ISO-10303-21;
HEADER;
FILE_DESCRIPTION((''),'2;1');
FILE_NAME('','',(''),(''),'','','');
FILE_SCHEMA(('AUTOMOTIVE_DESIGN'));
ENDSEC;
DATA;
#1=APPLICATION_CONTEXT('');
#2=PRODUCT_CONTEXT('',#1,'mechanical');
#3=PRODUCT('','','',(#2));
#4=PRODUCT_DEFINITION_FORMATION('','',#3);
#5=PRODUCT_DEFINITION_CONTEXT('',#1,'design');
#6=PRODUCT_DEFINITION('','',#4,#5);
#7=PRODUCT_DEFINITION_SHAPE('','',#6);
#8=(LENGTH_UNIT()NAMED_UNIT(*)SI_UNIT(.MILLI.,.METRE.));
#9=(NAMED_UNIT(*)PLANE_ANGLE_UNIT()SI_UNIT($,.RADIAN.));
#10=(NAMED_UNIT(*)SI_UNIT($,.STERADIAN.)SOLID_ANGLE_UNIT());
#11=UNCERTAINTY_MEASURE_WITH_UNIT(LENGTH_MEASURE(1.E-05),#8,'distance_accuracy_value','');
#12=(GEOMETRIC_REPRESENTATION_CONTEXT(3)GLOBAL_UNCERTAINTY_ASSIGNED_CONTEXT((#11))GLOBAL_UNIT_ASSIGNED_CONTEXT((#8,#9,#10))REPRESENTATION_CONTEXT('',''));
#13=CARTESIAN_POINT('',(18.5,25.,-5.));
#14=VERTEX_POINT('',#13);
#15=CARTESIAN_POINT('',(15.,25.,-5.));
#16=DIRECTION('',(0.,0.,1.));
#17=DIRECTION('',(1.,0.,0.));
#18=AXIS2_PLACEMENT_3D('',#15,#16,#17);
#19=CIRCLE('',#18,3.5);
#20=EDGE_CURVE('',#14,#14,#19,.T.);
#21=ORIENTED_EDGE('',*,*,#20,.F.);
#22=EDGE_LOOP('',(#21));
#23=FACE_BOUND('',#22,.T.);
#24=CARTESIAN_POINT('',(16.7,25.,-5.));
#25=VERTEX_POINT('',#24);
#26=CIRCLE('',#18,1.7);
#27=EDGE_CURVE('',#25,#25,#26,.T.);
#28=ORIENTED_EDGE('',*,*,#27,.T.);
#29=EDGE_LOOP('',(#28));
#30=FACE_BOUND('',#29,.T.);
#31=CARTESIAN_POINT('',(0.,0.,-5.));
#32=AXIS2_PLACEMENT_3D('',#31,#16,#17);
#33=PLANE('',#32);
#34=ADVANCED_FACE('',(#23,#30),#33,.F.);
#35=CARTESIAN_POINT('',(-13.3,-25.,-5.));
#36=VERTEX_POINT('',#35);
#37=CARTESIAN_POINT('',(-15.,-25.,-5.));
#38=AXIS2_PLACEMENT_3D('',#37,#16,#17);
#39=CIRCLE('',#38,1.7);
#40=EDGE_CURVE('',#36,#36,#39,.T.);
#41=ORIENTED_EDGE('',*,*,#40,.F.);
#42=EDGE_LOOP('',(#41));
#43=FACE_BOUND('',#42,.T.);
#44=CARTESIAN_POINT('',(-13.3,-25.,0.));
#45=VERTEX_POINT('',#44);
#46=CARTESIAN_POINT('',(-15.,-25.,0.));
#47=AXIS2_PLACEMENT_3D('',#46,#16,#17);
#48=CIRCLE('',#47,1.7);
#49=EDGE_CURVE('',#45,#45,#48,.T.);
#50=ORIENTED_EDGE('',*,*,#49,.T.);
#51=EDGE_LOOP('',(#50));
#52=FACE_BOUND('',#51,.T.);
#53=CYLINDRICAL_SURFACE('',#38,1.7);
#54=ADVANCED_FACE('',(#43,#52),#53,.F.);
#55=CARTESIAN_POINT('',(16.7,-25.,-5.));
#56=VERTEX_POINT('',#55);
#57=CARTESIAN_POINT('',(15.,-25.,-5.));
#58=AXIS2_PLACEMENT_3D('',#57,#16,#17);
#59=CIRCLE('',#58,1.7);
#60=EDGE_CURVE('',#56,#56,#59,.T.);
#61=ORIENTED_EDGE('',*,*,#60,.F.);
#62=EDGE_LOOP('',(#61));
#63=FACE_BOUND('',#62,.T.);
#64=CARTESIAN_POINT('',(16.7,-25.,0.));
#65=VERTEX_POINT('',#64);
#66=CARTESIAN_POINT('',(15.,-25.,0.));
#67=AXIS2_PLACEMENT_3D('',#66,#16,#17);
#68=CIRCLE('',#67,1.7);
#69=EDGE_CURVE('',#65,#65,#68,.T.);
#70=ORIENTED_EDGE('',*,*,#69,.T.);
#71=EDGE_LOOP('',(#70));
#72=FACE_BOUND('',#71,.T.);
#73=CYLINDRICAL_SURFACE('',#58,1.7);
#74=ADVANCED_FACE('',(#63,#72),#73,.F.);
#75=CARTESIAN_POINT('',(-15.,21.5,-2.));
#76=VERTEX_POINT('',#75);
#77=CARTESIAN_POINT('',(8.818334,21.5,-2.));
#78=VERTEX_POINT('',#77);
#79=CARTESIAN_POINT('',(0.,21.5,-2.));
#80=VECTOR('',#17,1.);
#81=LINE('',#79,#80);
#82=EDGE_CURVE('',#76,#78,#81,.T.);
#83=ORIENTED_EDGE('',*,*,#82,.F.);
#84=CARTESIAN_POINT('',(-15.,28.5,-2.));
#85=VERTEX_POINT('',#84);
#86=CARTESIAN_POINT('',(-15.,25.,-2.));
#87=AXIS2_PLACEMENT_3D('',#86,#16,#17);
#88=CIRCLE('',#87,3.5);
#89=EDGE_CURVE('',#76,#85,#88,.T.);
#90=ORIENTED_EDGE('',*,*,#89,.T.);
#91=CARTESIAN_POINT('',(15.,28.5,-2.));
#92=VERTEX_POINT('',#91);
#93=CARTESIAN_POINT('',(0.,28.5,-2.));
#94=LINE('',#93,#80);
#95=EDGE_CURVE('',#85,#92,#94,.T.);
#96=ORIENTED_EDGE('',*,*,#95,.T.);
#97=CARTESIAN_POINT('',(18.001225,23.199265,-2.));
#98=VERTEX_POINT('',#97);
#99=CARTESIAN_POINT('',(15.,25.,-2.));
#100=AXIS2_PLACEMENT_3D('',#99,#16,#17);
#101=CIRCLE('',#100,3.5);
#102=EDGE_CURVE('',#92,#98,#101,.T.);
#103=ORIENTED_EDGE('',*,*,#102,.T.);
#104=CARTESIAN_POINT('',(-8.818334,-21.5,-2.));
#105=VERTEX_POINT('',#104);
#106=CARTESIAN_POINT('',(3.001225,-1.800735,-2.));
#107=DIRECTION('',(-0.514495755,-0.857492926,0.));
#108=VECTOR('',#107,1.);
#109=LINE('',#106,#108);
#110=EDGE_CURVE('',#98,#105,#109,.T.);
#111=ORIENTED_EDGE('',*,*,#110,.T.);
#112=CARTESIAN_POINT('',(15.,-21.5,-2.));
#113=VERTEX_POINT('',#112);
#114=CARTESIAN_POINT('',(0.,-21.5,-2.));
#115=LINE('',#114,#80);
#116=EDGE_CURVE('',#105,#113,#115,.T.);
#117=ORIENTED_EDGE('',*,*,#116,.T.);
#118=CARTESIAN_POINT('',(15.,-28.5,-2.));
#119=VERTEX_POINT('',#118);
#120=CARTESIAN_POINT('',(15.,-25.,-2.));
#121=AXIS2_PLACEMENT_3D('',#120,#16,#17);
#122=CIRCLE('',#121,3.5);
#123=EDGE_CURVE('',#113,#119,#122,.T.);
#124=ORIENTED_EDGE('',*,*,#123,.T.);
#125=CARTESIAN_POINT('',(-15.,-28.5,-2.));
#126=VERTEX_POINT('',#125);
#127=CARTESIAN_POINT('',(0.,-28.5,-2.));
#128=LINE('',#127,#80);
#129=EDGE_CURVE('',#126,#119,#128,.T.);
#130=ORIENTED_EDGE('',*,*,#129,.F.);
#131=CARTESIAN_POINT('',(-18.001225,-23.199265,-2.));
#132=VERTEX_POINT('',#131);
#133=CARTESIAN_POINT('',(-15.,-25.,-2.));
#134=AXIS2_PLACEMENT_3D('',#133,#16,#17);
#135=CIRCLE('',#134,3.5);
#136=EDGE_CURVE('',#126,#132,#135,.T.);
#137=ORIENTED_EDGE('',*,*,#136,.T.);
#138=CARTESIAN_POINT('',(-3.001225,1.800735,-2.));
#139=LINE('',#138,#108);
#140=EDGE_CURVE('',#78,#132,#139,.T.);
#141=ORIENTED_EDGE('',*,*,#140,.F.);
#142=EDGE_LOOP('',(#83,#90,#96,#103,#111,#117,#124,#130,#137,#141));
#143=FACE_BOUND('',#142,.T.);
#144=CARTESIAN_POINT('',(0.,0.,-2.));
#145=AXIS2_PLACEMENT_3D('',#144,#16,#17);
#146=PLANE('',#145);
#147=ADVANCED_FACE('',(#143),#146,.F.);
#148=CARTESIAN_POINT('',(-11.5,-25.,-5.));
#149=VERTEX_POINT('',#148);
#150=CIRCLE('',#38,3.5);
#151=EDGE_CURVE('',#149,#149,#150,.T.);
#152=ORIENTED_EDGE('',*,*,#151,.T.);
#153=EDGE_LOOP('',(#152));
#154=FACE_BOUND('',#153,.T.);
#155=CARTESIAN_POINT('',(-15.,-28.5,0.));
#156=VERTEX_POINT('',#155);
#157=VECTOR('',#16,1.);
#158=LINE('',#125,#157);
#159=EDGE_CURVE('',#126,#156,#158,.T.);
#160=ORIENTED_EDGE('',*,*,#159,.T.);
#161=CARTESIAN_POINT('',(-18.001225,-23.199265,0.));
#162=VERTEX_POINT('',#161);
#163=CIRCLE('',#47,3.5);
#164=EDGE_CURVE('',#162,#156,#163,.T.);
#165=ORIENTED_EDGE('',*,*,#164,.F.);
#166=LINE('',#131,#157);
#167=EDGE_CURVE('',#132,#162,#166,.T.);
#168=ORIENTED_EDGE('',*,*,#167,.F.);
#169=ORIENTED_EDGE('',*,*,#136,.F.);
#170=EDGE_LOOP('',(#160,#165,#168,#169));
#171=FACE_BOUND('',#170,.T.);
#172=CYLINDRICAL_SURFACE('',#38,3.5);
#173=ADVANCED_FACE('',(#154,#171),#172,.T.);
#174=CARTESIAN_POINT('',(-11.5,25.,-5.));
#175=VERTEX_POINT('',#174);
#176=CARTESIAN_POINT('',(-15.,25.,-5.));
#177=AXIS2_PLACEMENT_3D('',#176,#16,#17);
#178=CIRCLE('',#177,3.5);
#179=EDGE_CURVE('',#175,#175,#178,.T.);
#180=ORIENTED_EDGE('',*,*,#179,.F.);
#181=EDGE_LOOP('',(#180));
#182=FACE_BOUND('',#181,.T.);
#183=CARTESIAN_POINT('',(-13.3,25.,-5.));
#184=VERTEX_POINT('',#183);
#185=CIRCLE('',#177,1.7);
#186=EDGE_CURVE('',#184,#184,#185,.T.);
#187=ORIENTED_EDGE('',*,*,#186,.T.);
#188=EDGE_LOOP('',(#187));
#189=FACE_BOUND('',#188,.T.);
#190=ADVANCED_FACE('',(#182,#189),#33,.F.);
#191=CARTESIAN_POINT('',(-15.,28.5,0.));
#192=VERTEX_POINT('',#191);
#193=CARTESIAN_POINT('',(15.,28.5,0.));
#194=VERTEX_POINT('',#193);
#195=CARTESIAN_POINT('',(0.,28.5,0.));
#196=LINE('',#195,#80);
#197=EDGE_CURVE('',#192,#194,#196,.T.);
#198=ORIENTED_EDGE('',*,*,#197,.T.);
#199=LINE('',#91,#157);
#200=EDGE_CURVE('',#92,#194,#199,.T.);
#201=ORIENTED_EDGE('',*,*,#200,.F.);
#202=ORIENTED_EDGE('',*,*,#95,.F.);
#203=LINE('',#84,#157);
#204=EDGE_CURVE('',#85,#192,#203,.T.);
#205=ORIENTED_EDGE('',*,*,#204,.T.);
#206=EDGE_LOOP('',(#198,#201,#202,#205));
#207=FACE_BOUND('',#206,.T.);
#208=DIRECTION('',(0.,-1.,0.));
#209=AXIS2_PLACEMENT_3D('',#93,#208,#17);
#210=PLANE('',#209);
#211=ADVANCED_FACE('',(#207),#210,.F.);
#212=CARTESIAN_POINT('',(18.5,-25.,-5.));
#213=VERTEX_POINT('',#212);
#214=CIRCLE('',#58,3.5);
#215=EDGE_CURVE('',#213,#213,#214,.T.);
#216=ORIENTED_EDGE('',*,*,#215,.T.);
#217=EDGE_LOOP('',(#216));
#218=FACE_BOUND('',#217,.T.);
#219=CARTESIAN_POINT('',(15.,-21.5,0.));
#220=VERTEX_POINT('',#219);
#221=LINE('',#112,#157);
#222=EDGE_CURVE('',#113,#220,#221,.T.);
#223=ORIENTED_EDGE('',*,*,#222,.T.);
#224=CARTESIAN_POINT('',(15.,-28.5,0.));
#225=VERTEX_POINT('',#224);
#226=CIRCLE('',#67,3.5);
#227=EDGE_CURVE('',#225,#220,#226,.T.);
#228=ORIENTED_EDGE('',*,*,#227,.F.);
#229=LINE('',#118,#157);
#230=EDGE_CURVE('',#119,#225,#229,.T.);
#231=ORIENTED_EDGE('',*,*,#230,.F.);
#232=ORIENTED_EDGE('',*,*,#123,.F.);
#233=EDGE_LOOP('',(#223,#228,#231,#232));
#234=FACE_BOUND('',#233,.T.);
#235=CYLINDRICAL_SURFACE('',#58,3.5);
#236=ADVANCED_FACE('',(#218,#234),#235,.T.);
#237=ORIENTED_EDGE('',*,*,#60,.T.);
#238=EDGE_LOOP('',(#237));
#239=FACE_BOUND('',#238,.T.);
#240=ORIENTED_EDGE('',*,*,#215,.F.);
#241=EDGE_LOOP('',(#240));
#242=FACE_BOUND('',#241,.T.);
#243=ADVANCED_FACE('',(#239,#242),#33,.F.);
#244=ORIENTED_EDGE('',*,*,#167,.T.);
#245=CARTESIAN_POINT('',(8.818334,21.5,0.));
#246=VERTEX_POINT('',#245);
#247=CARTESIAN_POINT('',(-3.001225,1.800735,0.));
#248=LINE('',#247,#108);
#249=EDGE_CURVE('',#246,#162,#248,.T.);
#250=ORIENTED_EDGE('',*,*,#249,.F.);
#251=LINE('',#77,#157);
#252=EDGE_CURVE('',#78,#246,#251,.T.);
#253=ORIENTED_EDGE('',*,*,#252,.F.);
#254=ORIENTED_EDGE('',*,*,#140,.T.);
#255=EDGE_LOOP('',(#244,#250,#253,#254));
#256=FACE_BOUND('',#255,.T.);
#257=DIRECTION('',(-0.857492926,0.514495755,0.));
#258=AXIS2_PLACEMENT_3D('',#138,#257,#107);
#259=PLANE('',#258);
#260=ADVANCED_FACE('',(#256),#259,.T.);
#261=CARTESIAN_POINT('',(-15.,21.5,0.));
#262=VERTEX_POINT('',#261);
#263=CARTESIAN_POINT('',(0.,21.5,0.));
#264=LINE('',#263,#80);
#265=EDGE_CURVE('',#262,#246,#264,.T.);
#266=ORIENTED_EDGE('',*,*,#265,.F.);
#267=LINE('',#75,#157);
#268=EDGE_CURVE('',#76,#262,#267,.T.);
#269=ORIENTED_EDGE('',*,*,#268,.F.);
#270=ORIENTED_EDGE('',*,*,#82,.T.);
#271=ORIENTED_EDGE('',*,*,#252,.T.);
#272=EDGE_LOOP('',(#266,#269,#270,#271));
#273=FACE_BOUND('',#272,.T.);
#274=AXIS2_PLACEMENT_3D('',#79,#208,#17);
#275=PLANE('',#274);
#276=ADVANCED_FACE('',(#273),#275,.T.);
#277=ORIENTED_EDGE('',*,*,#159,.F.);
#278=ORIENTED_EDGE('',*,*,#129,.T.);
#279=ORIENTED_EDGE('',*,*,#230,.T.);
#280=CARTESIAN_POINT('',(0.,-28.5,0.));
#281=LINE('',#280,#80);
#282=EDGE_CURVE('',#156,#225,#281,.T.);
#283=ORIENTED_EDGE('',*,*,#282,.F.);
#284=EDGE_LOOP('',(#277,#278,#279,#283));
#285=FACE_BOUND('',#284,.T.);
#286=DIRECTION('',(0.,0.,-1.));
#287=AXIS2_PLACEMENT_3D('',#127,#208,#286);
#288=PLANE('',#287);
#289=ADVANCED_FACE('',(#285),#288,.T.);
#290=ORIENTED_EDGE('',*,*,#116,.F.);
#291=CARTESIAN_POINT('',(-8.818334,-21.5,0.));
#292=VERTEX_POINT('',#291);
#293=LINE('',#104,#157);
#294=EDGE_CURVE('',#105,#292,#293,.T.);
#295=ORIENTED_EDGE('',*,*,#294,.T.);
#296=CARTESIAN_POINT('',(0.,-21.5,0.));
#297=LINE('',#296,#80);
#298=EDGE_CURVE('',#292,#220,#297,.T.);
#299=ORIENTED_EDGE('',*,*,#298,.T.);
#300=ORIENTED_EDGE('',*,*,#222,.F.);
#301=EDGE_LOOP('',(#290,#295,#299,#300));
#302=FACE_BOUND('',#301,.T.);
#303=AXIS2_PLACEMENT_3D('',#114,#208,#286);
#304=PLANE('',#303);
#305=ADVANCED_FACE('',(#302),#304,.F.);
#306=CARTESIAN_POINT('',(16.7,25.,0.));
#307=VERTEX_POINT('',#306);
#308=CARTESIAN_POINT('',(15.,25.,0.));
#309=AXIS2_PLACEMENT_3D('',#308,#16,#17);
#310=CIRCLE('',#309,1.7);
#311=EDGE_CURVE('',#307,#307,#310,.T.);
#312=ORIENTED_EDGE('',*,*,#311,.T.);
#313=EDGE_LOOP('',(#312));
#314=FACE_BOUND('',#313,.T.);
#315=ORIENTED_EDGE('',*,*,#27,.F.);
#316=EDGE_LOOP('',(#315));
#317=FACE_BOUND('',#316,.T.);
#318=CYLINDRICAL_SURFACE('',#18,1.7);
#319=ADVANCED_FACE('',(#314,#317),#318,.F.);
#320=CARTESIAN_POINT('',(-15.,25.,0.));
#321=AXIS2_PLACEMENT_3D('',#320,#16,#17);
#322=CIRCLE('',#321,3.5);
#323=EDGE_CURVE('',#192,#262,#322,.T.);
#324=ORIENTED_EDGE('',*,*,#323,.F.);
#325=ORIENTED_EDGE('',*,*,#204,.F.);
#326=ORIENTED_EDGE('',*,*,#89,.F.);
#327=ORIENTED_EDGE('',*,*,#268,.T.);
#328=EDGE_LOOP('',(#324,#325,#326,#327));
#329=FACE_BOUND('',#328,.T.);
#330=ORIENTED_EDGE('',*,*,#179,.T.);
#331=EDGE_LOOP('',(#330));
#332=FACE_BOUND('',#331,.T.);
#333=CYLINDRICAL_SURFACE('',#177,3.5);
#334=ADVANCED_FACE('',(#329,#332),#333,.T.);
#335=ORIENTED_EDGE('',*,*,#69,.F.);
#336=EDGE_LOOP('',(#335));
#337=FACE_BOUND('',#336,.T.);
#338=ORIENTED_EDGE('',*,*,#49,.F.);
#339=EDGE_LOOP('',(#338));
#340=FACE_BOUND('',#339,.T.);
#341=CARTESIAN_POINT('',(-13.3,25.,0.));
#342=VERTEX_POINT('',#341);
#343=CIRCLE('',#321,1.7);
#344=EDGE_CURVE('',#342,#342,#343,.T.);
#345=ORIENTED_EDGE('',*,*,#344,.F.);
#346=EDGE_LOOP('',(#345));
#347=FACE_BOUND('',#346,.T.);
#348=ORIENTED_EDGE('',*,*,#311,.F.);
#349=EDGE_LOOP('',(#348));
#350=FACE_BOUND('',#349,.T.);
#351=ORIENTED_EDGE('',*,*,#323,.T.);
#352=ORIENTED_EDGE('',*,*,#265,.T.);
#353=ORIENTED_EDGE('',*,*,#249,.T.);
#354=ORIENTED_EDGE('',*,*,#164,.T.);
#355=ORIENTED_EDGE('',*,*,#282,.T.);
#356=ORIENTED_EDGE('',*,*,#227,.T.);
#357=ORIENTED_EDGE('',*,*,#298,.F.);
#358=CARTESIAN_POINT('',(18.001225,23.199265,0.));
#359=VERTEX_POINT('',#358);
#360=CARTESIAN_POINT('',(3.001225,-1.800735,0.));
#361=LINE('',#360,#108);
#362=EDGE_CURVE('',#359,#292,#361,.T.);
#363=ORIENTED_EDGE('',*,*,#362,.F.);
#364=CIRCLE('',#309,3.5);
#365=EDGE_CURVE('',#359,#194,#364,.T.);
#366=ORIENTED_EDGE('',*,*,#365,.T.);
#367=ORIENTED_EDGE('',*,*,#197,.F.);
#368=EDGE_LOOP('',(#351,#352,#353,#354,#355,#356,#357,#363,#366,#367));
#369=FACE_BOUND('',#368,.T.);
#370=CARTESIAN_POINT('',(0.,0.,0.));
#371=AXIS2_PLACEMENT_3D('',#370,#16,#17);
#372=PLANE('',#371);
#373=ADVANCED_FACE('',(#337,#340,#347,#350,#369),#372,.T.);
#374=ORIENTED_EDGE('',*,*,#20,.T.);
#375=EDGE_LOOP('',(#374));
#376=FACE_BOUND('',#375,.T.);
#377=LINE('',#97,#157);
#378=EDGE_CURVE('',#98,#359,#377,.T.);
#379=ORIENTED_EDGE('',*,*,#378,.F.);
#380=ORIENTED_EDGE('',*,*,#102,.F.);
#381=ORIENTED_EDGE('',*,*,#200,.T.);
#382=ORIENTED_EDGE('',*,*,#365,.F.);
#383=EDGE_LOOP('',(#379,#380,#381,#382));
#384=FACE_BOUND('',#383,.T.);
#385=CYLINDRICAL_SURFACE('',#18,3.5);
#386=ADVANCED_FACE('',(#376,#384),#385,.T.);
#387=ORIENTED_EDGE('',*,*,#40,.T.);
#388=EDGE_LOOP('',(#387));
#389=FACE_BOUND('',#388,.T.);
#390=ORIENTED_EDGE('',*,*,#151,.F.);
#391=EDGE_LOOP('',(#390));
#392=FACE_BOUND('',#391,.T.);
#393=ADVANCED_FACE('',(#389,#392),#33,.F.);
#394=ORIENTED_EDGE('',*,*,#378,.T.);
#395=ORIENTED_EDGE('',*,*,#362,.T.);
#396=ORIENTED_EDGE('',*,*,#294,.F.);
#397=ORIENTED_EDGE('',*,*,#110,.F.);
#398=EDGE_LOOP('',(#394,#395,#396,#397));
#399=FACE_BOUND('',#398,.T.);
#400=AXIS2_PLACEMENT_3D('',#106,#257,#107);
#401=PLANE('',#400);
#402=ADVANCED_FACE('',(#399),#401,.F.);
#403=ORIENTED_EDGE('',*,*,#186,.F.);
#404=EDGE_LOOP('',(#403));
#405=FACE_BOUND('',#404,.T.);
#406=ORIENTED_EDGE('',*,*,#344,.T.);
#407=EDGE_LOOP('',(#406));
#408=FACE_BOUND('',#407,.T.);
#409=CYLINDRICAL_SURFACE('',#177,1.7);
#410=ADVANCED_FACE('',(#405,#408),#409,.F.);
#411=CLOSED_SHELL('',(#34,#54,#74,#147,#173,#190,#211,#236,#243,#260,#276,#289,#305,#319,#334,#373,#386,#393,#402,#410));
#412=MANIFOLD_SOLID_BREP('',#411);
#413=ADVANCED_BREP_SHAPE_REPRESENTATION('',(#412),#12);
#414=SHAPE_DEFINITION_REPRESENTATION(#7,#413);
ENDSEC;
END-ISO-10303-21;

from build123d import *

# Parameters (mm, degrees)
EXTRUDE_944_DEPTH  = 2
SKETCH_1_3_R       = 3.5
SKETCH_1_3_R_2     = 1.7
EXTRUDE_1016_DEPTH = 5


with BuildPart() as part:
    # Эскиз1 → Extrude 944 (new body)
    with BuildSketch(Plane.XY):
        with BuildLine():
            Line((15, 28.5), (-15, 28.5))
            ThreePointArc((-15, 28.5), (-12.525126266, 27.474873734), (-11.5, 25))
            ThreePointArc((-11.5, 25), (-12.525126266, 22.525126266), (-15, 21.5))
            Line((-15, 21.5), (8.818333674, 21.5))
            Line((8.818333674, 21.5), (-18.00122524, -23.199264856))
            ThreePointArc((-18.00122524, -23.199264856), (-14.065732463, -21.626997751), (-11.5, -25))
            ThreePointArc((-11.5, -25), (-12.525126266, -27.474873734), (-15, -28.5))
            Line((-15, -28.5), (15, -28.5))
            ThreePointArc((15, -28.5), (11.5, -25), (15, -21.5))
            Line((15, -21.5), (-8.818333674, -21.5))
            Line((-8.818333674, -21.5), (18.00122524, 23.199264856))
            ThreePointArc((18.00122524, 23.199264856), (11.954300326, 23.275554148), (15, 28.5))
        make_face()
    extrude(amount=-EXTRUDE_944_DEPTH)

    # Эскиз1<3> → Extrude 1016 (add)
    # profile 1 of 4: a face of its own
    with BuildSketch(Plane.XY):
        with Locations((15, 25)):
            Circle(SKETCH_1_3_R)
        with Locations((15, 25)):
            Circle(SKETCH_1_3_R_2, mode=Mode.SUBTRACT)
    # profile 2 of 4: a face of its own
    with BuildSketch(Plane.XY):
        with Locations((15, -25)):
            Circle(SKETCH_1_3_R)
        with Locations((15, -25)):
            Circle(SKETCH_1_3_R_2, mode=Mode.SUBTRACT)
    # profile 3 of 4: a face of its own
    with BuildSketch(Plane.XY):
        with Locations((-15, -25)):
            Circle(SKETCH_1_3_R)
        with Locations((-15, -25)):
            Circle(SKETCH_1_3_R_2, mode=Mode.SUBTRACT)
    # profile 4 of 4: a face of its own
    with BuildSketch(Plane.XY):
        with Locations((-15, 25)):
            Circle(SKETCH_1_3_R)
        with Locations((-15, 25)):
            Circle(SKETCH_1_3_R_2, mode=Mode.SUBTRACT)
    extrude(amount=-EXTRUDE_1016_DEPTH)


solid = part.part
